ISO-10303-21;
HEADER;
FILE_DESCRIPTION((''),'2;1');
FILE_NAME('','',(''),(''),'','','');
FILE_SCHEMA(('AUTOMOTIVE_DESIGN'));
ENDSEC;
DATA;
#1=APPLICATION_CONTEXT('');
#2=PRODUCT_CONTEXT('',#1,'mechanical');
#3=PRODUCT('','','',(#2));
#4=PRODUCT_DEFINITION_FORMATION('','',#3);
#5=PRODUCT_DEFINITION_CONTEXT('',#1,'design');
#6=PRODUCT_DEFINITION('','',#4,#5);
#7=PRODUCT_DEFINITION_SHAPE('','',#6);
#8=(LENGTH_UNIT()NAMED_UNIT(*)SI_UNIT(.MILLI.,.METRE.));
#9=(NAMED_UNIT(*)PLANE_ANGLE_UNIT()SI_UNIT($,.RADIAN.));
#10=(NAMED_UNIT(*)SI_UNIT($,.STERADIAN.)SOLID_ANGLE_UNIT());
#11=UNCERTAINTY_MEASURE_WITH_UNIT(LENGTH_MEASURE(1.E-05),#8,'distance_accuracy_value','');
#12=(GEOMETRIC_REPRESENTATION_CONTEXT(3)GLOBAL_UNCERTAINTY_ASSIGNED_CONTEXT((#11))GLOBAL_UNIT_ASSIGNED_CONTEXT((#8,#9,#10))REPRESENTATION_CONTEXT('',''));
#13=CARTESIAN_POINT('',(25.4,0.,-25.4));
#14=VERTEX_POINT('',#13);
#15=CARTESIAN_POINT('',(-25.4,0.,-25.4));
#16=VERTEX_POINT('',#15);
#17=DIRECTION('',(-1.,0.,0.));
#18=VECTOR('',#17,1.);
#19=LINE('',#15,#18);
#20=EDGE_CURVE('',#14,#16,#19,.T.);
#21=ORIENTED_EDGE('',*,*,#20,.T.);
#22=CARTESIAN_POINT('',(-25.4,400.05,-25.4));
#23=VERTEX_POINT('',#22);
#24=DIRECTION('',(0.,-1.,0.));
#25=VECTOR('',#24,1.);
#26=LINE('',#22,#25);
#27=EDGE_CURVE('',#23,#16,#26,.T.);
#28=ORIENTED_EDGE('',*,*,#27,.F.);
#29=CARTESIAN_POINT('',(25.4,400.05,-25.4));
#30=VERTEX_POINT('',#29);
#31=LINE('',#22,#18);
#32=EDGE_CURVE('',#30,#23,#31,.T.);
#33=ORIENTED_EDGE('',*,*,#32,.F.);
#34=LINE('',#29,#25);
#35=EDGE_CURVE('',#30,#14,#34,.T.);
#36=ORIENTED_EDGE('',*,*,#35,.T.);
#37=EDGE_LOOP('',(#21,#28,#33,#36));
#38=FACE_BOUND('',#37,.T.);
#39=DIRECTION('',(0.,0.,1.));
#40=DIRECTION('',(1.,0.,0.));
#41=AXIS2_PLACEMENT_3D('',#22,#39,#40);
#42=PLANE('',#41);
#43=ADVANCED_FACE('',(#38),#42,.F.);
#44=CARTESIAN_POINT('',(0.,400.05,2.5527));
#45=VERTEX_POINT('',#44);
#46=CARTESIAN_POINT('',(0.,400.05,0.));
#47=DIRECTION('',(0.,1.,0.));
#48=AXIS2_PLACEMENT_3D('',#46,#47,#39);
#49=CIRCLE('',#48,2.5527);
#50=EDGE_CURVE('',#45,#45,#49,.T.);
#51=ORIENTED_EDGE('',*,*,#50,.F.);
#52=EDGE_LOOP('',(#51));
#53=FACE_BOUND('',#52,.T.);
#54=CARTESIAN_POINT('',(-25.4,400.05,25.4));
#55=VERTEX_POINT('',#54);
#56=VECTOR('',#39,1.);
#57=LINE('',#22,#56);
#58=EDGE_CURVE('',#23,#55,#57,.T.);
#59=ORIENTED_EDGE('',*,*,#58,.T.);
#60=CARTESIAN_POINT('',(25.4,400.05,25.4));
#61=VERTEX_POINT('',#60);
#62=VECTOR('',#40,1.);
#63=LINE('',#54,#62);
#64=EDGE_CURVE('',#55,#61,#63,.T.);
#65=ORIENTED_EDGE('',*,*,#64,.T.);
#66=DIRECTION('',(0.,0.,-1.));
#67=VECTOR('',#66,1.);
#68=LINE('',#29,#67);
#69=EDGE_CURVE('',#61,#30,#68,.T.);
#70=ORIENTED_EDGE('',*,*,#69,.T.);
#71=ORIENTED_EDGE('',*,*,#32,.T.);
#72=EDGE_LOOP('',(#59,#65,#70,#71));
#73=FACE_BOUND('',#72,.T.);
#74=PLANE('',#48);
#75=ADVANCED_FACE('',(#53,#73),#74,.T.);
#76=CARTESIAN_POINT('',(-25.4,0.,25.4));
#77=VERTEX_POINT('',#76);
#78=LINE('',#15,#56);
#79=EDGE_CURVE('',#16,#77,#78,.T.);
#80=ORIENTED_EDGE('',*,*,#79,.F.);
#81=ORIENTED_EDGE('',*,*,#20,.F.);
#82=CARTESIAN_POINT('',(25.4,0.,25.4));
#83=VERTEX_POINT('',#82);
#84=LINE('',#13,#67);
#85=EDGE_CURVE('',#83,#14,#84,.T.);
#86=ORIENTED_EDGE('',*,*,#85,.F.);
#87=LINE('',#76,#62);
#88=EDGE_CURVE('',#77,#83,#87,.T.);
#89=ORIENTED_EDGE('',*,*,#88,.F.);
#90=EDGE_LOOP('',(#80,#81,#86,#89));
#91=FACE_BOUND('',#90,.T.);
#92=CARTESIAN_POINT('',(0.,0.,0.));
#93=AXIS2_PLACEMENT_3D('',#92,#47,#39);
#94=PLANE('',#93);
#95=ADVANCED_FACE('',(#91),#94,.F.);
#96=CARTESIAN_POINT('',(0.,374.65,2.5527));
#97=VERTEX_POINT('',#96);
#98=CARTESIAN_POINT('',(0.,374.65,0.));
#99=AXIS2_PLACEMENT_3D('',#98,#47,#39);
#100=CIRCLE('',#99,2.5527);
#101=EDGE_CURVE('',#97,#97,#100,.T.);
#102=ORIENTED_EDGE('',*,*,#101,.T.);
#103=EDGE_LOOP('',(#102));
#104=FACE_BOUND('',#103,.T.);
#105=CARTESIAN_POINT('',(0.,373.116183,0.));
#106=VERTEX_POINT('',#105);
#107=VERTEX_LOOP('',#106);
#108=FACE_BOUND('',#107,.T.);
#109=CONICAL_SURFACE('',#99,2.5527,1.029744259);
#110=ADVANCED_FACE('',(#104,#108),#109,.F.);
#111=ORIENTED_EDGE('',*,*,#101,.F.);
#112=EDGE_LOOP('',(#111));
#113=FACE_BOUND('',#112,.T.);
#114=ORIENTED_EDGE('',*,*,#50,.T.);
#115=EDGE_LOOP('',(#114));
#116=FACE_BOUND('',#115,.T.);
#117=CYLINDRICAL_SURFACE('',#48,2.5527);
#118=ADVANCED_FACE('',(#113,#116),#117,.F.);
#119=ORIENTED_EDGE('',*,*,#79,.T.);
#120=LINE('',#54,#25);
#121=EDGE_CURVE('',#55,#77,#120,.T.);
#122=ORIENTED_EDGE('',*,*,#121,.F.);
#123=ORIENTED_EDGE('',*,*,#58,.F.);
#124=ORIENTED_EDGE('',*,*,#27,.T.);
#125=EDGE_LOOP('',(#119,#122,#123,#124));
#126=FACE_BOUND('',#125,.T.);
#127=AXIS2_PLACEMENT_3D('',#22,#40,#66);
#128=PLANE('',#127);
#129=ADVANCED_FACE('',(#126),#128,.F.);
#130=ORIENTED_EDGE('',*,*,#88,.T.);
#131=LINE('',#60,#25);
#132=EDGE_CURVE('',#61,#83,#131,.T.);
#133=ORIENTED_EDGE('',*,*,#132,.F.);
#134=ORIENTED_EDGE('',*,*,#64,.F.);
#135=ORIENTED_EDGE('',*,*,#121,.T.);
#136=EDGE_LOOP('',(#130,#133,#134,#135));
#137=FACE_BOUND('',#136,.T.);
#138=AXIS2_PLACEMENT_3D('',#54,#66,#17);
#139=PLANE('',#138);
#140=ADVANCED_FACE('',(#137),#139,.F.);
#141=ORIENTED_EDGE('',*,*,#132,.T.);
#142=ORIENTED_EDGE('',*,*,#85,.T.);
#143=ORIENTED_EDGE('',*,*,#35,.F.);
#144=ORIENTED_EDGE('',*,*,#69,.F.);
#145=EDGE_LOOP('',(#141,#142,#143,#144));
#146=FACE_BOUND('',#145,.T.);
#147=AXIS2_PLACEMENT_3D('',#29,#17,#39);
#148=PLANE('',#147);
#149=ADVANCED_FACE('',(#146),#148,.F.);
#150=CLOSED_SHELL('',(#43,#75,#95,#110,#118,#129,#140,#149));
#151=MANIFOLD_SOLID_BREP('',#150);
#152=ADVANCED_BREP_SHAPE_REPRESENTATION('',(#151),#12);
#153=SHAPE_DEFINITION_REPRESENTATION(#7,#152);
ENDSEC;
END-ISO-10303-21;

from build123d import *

# Parameters (mm, degrees)
SKETCH1_W                  = 50.8
SKETCH1_H                  = 50.8
BOSS_EXTRUDE1_DEPTH        = 400.05
F_10_CLEARANCE_HOLE1_D     = 5.1054
F_10_CLEARANCE_HOLE1_DEPTH = 25.4
F_10_CLEARANCE_HOLE1_TIP   = 1.533816902


with BuildPart() as part:
    # Sketch1 → Boss-Extrude1 (new body)
    with BuildSketch(Plane(origin=(0, 0, 0), x_dir=(1, 0, 0), z_dir=(0, 1, 0))):
        Rectangle(SKETCH1_W, SKETCH1_H)
    extrude(amount=BOSS_EXTRUDE1_DEPTH)

    # #10 Clearance Hole1
    with Locations(Plane(origin=(0, 400.05, 0), x_dir=(1, 0, 0), z_dir=(0, 1, 0))):
        with Locations((0, 0)):
            Hole(F_10_CLEARANCE_HOLE1_D / 2, depth=F_10_CLEARANCE_HOLE1_DEPTH)
            with Locations((0, 0, -(F_10_CLEARANCE_HOLE1_DEPTH + F_10_CLEARANCE_HOLE1_TIP / 2))):  # 118° drill point
                Cone(0, F_10_CLEARANCE_HOLE1_D / 2, F_10_CLEARANCE_HOLE1_TIP, mode=Mode.SUBTRACT)


solid = part.part
